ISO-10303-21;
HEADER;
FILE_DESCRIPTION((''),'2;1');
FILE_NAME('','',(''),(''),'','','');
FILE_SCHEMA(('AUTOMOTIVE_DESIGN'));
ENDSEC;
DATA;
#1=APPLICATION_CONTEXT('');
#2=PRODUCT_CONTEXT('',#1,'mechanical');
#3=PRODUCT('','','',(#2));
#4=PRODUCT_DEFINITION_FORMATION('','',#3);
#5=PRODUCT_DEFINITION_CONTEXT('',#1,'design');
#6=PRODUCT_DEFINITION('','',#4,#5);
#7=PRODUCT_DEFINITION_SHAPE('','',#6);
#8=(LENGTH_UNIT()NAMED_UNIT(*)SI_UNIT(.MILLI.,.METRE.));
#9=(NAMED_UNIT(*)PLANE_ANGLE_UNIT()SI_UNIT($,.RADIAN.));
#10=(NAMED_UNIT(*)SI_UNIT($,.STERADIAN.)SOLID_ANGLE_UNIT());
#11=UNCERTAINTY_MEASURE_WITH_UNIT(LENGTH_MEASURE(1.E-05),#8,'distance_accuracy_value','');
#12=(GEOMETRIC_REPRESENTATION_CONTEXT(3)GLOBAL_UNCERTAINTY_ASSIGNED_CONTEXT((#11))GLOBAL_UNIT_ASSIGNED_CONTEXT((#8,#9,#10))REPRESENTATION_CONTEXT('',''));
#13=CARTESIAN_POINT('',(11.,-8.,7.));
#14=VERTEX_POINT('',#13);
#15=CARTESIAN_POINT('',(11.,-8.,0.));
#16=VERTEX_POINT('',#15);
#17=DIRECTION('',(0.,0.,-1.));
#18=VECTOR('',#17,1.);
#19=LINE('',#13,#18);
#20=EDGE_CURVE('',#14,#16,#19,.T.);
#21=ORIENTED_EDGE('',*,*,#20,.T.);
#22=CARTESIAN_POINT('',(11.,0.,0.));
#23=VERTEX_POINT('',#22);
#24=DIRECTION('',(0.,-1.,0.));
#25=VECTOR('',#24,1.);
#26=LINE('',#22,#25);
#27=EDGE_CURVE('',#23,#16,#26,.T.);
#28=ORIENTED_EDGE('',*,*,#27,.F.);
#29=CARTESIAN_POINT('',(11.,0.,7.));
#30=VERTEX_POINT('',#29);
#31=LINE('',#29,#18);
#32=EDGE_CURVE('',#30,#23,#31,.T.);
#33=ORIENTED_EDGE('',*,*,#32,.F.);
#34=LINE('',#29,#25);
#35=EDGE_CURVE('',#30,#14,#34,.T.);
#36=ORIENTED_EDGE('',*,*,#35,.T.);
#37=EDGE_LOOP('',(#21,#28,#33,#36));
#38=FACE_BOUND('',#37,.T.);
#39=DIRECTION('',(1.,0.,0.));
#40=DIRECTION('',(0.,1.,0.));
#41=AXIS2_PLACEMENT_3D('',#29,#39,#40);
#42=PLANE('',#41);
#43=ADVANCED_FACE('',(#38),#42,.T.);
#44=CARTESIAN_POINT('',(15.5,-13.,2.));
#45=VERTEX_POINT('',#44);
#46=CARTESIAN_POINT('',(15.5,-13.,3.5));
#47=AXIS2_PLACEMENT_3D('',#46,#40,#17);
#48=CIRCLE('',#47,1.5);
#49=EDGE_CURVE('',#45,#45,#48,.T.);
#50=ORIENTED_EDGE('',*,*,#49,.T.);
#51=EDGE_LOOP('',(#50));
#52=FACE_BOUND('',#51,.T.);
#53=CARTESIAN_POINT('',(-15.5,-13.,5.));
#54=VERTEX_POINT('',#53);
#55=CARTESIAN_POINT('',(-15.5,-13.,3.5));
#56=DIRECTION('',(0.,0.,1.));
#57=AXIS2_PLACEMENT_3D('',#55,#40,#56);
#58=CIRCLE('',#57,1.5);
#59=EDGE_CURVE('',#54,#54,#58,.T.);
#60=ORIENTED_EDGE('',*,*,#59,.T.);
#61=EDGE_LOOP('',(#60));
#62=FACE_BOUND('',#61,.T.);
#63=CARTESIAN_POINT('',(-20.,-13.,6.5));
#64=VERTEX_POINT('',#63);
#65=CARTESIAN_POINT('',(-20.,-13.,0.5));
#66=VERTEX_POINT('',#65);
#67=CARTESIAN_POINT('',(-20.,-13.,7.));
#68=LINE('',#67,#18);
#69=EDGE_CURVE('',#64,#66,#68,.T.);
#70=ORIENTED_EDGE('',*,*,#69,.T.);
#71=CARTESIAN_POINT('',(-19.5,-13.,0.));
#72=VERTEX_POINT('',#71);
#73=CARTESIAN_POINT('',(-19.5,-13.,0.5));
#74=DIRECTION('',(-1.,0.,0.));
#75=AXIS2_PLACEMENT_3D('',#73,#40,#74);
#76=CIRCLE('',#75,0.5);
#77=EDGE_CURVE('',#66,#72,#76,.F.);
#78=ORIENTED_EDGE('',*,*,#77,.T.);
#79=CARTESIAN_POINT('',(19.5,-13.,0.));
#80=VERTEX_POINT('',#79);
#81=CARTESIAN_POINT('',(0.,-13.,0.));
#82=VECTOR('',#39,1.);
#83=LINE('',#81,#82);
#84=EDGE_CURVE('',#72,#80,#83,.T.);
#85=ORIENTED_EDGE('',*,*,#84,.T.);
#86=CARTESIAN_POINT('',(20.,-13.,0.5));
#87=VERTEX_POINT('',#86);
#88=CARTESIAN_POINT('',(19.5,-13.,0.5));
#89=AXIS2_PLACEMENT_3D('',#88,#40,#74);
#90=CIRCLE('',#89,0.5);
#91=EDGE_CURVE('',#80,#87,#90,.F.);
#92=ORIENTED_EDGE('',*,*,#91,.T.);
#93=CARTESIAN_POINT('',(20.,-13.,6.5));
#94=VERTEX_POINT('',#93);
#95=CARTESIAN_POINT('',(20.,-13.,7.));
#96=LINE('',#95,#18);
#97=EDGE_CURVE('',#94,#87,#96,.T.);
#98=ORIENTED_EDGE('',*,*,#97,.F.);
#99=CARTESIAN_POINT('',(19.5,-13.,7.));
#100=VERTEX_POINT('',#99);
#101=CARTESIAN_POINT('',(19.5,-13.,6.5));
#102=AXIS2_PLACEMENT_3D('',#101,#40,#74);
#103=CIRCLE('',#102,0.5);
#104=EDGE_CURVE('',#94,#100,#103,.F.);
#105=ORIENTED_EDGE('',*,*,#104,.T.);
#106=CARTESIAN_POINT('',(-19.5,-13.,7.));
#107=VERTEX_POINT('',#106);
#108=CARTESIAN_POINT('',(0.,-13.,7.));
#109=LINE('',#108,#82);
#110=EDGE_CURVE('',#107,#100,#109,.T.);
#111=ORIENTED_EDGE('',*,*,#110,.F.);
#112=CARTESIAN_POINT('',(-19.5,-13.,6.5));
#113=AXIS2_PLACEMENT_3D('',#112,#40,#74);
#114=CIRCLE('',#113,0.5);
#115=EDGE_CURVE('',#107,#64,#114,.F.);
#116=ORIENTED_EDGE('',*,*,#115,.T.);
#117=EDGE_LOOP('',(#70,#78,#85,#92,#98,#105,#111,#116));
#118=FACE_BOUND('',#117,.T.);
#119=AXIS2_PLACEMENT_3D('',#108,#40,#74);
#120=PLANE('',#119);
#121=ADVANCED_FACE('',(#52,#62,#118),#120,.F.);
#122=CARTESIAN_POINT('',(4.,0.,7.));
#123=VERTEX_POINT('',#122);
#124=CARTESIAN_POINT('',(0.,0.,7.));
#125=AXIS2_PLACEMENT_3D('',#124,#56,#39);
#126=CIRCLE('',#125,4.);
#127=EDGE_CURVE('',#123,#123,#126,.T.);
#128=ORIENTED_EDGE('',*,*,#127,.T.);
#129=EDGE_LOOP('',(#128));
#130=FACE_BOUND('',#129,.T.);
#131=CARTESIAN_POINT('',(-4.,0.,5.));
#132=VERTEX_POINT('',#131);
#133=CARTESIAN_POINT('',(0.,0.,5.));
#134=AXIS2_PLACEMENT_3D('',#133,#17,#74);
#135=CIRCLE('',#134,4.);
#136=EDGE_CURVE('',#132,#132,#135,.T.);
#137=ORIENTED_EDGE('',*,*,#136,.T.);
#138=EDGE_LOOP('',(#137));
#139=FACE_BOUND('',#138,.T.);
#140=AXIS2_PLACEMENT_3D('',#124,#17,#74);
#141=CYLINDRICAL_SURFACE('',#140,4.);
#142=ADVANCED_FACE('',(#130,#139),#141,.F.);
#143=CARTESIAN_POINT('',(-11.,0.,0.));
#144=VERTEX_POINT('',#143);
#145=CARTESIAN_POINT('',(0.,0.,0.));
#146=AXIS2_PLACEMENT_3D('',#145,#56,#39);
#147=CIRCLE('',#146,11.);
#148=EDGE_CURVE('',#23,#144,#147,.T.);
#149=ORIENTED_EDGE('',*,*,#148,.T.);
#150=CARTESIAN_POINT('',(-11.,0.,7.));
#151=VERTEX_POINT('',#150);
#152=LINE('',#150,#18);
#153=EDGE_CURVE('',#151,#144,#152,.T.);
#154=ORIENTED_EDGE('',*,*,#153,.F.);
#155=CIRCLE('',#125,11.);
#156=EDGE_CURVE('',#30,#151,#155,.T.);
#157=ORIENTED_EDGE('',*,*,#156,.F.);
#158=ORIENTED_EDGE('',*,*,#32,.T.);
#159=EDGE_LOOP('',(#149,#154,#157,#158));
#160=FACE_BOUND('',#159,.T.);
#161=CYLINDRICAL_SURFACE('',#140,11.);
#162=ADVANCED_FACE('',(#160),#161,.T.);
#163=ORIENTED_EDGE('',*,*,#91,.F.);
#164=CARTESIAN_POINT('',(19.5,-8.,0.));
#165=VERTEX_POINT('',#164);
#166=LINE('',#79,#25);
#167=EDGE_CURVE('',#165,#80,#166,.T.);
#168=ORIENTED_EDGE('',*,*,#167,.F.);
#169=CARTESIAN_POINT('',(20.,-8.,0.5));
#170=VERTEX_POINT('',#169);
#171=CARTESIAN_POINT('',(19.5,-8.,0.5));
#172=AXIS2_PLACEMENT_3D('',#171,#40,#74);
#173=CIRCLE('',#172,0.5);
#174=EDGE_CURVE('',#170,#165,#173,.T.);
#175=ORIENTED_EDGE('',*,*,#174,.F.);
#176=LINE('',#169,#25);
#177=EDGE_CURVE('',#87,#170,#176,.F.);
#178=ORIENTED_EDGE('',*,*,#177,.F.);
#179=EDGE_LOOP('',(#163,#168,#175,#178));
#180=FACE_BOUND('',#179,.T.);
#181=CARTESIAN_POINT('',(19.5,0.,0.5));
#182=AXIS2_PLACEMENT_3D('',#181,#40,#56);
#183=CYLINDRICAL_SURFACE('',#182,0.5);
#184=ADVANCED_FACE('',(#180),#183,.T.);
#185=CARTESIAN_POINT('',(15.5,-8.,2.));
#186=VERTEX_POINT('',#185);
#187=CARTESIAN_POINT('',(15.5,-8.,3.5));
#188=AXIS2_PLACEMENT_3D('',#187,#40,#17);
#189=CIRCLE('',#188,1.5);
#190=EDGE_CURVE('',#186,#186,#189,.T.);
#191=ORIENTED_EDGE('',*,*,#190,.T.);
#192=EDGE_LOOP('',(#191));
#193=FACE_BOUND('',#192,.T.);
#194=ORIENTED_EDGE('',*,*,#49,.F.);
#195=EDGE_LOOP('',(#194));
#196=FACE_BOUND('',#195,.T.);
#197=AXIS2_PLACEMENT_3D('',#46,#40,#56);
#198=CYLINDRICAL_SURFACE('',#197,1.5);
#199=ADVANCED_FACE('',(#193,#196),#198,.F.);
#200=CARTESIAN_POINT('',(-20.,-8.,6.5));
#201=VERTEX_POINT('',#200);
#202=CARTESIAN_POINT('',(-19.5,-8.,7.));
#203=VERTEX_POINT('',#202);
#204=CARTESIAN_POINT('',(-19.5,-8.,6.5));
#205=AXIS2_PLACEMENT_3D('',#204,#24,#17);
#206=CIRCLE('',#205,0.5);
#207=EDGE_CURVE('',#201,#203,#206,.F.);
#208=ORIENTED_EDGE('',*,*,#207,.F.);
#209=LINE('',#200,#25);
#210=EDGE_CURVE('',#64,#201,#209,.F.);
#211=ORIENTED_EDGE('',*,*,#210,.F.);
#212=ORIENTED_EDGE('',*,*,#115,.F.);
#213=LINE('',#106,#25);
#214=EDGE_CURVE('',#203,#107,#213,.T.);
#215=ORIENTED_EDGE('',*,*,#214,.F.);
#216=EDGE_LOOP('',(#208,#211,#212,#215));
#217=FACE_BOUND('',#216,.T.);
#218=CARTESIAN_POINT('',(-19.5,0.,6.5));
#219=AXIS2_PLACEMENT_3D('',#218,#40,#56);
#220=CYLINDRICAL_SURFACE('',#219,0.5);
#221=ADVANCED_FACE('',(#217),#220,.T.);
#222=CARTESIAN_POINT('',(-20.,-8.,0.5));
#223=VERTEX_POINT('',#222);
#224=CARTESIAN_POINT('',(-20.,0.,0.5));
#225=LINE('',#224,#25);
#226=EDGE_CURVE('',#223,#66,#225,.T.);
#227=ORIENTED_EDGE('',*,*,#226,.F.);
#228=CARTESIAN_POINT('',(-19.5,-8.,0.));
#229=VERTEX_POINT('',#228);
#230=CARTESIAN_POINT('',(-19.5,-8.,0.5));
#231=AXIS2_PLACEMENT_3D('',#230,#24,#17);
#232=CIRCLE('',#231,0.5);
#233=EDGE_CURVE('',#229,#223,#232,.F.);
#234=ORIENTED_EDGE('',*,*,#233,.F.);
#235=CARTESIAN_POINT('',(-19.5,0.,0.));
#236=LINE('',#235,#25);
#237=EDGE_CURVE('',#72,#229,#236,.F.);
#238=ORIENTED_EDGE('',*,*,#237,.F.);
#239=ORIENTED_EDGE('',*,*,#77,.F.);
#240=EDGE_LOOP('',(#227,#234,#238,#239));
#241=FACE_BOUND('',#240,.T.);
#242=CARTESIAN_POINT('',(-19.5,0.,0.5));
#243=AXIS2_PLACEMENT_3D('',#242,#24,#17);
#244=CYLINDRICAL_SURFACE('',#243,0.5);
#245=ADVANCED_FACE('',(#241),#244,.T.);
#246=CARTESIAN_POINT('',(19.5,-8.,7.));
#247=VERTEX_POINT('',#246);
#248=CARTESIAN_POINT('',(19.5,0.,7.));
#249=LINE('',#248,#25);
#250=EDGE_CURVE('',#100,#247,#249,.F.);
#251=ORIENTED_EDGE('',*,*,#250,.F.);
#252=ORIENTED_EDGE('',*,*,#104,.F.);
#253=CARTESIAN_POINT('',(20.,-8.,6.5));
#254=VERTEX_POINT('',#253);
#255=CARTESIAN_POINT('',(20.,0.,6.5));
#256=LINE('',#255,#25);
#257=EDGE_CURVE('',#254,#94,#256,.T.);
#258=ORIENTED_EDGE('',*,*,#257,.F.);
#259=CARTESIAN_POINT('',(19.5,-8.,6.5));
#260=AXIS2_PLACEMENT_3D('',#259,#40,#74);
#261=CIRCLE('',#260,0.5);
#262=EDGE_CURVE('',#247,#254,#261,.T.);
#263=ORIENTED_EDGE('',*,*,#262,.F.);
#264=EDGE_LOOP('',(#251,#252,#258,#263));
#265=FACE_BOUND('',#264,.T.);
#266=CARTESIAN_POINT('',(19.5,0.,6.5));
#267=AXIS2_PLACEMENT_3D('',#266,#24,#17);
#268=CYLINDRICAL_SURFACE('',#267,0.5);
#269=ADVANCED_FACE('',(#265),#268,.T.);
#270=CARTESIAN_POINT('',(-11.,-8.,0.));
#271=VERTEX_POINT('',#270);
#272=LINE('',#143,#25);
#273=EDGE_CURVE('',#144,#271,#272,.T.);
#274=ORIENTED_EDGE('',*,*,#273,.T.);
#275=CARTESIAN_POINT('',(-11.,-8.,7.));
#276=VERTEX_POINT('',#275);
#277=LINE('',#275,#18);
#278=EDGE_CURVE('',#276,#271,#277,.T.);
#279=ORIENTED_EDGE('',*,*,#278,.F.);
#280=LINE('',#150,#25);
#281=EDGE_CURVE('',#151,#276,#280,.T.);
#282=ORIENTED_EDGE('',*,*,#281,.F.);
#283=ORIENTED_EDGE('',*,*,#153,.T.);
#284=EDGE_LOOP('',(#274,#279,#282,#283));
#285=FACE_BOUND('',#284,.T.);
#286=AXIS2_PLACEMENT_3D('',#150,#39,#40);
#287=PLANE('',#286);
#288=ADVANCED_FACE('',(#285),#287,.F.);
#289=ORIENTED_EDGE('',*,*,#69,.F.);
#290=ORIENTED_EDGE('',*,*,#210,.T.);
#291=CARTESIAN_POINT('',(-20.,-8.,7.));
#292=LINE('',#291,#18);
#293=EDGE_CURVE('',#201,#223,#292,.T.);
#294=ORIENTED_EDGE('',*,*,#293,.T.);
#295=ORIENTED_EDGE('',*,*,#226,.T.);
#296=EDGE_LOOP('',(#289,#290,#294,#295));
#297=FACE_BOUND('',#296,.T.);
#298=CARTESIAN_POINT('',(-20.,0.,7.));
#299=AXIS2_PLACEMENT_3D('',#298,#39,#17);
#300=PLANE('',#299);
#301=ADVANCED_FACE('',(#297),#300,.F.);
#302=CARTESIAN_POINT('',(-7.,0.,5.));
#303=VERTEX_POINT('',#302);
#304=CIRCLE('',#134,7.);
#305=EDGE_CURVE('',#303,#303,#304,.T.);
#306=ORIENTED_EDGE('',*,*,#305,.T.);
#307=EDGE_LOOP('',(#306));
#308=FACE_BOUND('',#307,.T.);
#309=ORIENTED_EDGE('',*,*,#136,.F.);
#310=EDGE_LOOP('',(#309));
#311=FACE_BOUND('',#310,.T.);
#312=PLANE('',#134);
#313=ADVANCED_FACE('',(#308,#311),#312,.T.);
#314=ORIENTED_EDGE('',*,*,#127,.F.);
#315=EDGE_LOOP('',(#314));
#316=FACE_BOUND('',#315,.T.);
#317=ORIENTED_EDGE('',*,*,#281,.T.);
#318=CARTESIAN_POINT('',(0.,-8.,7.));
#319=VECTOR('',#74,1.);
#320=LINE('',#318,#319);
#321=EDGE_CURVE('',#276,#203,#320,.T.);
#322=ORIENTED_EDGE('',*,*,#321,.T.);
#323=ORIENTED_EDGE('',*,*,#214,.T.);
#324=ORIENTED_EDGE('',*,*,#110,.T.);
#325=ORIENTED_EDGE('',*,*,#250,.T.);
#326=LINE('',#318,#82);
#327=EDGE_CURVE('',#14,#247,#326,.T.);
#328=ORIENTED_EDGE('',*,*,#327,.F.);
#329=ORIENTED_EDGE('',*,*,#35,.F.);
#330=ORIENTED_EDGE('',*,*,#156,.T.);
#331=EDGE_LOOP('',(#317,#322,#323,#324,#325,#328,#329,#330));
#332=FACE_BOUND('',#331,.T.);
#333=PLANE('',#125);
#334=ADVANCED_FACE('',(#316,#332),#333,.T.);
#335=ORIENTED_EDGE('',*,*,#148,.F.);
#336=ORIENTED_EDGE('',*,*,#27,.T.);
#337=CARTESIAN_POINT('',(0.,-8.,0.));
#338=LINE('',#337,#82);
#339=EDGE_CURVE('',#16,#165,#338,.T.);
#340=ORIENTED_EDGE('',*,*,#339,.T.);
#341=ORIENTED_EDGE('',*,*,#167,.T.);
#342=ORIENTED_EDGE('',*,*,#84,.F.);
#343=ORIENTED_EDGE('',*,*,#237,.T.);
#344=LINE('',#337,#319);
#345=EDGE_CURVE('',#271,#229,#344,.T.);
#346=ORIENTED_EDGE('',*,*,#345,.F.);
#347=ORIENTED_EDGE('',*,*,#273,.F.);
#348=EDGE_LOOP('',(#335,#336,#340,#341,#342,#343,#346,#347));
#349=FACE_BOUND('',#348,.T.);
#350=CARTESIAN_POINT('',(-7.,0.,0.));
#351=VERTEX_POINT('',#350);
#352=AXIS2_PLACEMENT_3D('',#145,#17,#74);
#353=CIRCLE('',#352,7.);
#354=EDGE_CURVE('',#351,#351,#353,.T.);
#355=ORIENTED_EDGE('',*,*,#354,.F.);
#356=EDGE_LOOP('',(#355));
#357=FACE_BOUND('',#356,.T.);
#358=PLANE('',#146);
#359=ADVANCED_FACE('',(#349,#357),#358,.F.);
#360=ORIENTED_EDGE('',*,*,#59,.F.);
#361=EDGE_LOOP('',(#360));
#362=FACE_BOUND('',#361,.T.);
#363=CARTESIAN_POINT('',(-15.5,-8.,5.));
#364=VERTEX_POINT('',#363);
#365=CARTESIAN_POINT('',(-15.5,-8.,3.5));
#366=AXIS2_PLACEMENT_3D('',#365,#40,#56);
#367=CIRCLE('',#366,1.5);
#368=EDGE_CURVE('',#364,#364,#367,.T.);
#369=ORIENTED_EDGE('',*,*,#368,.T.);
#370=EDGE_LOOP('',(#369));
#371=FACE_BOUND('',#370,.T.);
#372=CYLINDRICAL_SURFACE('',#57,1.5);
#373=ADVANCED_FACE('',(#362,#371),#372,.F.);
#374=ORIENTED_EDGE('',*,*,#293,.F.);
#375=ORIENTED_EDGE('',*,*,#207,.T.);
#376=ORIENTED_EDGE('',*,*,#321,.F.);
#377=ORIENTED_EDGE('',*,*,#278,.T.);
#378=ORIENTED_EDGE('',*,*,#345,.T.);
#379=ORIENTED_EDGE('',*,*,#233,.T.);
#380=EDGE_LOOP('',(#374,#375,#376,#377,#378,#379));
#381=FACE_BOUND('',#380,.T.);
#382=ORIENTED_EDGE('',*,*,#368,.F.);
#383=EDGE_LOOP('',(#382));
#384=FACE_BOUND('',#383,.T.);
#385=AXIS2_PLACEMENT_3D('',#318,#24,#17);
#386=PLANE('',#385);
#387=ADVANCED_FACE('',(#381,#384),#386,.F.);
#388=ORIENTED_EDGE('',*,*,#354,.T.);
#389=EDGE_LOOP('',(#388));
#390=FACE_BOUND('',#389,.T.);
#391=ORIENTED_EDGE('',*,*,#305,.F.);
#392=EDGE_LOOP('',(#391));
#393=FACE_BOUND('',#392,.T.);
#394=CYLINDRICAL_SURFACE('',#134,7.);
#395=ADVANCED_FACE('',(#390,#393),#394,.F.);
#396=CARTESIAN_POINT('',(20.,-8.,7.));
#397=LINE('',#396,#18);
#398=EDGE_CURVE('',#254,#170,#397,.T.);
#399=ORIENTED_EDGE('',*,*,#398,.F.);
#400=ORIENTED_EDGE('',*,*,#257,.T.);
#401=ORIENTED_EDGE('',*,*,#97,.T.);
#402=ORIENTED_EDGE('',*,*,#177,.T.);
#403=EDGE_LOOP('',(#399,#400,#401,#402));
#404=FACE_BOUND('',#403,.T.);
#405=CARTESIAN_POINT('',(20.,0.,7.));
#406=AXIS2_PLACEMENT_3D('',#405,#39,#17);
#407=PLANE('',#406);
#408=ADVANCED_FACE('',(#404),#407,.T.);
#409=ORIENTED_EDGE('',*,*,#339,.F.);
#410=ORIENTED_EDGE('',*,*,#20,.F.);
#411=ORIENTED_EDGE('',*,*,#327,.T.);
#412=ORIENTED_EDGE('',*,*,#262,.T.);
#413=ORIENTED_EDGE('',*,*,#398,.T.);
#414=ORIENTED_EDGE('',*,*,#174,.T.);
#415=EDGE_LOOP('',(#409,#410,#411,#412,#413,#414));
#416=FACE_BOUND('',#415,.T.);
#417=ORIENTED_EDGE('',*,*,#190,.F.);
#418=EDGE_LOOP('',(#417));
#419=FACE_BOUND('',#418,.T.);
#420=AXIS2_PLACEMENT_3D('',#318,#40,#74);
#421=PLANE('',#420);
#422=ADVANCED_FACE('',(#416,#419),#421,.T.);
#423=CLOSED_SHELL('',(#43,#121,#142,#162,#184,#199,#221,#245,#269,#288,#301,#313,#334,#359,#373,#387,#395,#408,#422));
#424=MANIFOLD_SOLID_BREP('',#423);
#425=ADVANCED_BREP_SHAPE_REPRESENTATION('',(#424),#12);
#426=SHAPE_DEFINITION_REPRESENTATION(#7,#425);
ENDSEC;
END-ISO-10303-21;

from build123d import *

# Parameters (mm, degrees)
BOSS_EXTRUDE1_DEPTH = 7
SKETCH2_R           = 7
CUT_EXTRUDE1_DEPTH  = 5
SKETCH3_R           = 1.5
CUT_EXTRUDE2_DEPTH  = 5
FILLET1_R           = 0.5


with BuildPart() as part:
    # Sketch1 → Boss-Extrude1 (new body)
    with BuildSketch(Plane.XY):
        with BuildLine():
            ThreePointArc((0, 11), (-7.778174593, 7.778174593), (-11, 0))
            ThreePointArc((-11, 0), (-7.778174593, -7.778174593), (0, -11))
            Line((0, -11), (0, -4))
            ThreePointArc((0, -4), (-4, 0), (0, 4))
            Line((0, 4), (0, 11))
        make_face()
        with BuildLine():
            ThreePointArc((11, 0), (7.778174593, 7.778174593), (0, 11))
            Line((0, 11), (0, 4))
            ThreePointArc((0, 4), (2.828427125, 2.828427125), (4, 0))
            ThreePointArc((4, 0), (2.828427125, -2.828427125), (0, -4))
            Line((0, -4), (0, -11))
            ThreePointArc((0, -11), (7.778174593, -7.778174593), (11, 0))
        make_face()
        with BuildLine():
            ThreePointArc((0, -11), (-7.778174593, -7.778174593), (-11, 0))
            Line((-11, 0), (-11, -8))
            Line((-11, -8), (-20, -8))
            Line((-20, -8), (-20, -13))
            Line((-20, -13), (0, -13))
            Line((0, -13), (0, -11))
        make_face()
        with BuildLine():
            ThreePointArc((11, 0), (7.778174593, -7.778174593), (0, -11))
            Line((0, -11), (0, -13))
            Line((0, -13), (20, -13))
            Line((20, -13), (20, -8))
            Line((20, -8), (11, -8))
            Line((11, -8), (11, 0))
        make_face()
    extrude(amount=BOSS_EXTRUDE1_DEPTH)

    # Sketch2 → Cut-Extrude1 (cut)
    with BuildSketch(Plane(origin=(0, 0, 0), x_dir=(-1, 0, 0), z_dir=(0, 0, -1))):
        Circle(SKETCH2_R)
    extrude(amount=-CUT_EXTRUDE1_DEPTH, mode=Mode.SUBTRACT)

    # Sketch3 → Cut-Extrude2 (cut)
    with BuildSketch(Plane(origin=(0, -8, 0), x_dir=(1, 0, 0), z_dir=(0, 1, 0))):
        with Locations(Location((-15.5, -3.5, 0), (0, 0, 270))):
            Circle(SKETCH3_R)
        with Locations(Location((15.5, -3.5, 0), (0, 0, 90))):
            Circle(SKETCH3_R)
    extrude(amount=-CUT_EXTRUDE2_DEPTH, mode=Mode.SUBTRACT)

    # Fillet1
    fillet1_edges = [part.edges().sort_by_distance(p)[0] for p in [
        (20, -10.5, 7),
        (-20, -10.5, 0),
        (20, -10.5, 0),
        (-20, -10.5, 7),
    ]]
    fillet(fillet1_edges, radius=FILLET1_R)


solid = part.part
